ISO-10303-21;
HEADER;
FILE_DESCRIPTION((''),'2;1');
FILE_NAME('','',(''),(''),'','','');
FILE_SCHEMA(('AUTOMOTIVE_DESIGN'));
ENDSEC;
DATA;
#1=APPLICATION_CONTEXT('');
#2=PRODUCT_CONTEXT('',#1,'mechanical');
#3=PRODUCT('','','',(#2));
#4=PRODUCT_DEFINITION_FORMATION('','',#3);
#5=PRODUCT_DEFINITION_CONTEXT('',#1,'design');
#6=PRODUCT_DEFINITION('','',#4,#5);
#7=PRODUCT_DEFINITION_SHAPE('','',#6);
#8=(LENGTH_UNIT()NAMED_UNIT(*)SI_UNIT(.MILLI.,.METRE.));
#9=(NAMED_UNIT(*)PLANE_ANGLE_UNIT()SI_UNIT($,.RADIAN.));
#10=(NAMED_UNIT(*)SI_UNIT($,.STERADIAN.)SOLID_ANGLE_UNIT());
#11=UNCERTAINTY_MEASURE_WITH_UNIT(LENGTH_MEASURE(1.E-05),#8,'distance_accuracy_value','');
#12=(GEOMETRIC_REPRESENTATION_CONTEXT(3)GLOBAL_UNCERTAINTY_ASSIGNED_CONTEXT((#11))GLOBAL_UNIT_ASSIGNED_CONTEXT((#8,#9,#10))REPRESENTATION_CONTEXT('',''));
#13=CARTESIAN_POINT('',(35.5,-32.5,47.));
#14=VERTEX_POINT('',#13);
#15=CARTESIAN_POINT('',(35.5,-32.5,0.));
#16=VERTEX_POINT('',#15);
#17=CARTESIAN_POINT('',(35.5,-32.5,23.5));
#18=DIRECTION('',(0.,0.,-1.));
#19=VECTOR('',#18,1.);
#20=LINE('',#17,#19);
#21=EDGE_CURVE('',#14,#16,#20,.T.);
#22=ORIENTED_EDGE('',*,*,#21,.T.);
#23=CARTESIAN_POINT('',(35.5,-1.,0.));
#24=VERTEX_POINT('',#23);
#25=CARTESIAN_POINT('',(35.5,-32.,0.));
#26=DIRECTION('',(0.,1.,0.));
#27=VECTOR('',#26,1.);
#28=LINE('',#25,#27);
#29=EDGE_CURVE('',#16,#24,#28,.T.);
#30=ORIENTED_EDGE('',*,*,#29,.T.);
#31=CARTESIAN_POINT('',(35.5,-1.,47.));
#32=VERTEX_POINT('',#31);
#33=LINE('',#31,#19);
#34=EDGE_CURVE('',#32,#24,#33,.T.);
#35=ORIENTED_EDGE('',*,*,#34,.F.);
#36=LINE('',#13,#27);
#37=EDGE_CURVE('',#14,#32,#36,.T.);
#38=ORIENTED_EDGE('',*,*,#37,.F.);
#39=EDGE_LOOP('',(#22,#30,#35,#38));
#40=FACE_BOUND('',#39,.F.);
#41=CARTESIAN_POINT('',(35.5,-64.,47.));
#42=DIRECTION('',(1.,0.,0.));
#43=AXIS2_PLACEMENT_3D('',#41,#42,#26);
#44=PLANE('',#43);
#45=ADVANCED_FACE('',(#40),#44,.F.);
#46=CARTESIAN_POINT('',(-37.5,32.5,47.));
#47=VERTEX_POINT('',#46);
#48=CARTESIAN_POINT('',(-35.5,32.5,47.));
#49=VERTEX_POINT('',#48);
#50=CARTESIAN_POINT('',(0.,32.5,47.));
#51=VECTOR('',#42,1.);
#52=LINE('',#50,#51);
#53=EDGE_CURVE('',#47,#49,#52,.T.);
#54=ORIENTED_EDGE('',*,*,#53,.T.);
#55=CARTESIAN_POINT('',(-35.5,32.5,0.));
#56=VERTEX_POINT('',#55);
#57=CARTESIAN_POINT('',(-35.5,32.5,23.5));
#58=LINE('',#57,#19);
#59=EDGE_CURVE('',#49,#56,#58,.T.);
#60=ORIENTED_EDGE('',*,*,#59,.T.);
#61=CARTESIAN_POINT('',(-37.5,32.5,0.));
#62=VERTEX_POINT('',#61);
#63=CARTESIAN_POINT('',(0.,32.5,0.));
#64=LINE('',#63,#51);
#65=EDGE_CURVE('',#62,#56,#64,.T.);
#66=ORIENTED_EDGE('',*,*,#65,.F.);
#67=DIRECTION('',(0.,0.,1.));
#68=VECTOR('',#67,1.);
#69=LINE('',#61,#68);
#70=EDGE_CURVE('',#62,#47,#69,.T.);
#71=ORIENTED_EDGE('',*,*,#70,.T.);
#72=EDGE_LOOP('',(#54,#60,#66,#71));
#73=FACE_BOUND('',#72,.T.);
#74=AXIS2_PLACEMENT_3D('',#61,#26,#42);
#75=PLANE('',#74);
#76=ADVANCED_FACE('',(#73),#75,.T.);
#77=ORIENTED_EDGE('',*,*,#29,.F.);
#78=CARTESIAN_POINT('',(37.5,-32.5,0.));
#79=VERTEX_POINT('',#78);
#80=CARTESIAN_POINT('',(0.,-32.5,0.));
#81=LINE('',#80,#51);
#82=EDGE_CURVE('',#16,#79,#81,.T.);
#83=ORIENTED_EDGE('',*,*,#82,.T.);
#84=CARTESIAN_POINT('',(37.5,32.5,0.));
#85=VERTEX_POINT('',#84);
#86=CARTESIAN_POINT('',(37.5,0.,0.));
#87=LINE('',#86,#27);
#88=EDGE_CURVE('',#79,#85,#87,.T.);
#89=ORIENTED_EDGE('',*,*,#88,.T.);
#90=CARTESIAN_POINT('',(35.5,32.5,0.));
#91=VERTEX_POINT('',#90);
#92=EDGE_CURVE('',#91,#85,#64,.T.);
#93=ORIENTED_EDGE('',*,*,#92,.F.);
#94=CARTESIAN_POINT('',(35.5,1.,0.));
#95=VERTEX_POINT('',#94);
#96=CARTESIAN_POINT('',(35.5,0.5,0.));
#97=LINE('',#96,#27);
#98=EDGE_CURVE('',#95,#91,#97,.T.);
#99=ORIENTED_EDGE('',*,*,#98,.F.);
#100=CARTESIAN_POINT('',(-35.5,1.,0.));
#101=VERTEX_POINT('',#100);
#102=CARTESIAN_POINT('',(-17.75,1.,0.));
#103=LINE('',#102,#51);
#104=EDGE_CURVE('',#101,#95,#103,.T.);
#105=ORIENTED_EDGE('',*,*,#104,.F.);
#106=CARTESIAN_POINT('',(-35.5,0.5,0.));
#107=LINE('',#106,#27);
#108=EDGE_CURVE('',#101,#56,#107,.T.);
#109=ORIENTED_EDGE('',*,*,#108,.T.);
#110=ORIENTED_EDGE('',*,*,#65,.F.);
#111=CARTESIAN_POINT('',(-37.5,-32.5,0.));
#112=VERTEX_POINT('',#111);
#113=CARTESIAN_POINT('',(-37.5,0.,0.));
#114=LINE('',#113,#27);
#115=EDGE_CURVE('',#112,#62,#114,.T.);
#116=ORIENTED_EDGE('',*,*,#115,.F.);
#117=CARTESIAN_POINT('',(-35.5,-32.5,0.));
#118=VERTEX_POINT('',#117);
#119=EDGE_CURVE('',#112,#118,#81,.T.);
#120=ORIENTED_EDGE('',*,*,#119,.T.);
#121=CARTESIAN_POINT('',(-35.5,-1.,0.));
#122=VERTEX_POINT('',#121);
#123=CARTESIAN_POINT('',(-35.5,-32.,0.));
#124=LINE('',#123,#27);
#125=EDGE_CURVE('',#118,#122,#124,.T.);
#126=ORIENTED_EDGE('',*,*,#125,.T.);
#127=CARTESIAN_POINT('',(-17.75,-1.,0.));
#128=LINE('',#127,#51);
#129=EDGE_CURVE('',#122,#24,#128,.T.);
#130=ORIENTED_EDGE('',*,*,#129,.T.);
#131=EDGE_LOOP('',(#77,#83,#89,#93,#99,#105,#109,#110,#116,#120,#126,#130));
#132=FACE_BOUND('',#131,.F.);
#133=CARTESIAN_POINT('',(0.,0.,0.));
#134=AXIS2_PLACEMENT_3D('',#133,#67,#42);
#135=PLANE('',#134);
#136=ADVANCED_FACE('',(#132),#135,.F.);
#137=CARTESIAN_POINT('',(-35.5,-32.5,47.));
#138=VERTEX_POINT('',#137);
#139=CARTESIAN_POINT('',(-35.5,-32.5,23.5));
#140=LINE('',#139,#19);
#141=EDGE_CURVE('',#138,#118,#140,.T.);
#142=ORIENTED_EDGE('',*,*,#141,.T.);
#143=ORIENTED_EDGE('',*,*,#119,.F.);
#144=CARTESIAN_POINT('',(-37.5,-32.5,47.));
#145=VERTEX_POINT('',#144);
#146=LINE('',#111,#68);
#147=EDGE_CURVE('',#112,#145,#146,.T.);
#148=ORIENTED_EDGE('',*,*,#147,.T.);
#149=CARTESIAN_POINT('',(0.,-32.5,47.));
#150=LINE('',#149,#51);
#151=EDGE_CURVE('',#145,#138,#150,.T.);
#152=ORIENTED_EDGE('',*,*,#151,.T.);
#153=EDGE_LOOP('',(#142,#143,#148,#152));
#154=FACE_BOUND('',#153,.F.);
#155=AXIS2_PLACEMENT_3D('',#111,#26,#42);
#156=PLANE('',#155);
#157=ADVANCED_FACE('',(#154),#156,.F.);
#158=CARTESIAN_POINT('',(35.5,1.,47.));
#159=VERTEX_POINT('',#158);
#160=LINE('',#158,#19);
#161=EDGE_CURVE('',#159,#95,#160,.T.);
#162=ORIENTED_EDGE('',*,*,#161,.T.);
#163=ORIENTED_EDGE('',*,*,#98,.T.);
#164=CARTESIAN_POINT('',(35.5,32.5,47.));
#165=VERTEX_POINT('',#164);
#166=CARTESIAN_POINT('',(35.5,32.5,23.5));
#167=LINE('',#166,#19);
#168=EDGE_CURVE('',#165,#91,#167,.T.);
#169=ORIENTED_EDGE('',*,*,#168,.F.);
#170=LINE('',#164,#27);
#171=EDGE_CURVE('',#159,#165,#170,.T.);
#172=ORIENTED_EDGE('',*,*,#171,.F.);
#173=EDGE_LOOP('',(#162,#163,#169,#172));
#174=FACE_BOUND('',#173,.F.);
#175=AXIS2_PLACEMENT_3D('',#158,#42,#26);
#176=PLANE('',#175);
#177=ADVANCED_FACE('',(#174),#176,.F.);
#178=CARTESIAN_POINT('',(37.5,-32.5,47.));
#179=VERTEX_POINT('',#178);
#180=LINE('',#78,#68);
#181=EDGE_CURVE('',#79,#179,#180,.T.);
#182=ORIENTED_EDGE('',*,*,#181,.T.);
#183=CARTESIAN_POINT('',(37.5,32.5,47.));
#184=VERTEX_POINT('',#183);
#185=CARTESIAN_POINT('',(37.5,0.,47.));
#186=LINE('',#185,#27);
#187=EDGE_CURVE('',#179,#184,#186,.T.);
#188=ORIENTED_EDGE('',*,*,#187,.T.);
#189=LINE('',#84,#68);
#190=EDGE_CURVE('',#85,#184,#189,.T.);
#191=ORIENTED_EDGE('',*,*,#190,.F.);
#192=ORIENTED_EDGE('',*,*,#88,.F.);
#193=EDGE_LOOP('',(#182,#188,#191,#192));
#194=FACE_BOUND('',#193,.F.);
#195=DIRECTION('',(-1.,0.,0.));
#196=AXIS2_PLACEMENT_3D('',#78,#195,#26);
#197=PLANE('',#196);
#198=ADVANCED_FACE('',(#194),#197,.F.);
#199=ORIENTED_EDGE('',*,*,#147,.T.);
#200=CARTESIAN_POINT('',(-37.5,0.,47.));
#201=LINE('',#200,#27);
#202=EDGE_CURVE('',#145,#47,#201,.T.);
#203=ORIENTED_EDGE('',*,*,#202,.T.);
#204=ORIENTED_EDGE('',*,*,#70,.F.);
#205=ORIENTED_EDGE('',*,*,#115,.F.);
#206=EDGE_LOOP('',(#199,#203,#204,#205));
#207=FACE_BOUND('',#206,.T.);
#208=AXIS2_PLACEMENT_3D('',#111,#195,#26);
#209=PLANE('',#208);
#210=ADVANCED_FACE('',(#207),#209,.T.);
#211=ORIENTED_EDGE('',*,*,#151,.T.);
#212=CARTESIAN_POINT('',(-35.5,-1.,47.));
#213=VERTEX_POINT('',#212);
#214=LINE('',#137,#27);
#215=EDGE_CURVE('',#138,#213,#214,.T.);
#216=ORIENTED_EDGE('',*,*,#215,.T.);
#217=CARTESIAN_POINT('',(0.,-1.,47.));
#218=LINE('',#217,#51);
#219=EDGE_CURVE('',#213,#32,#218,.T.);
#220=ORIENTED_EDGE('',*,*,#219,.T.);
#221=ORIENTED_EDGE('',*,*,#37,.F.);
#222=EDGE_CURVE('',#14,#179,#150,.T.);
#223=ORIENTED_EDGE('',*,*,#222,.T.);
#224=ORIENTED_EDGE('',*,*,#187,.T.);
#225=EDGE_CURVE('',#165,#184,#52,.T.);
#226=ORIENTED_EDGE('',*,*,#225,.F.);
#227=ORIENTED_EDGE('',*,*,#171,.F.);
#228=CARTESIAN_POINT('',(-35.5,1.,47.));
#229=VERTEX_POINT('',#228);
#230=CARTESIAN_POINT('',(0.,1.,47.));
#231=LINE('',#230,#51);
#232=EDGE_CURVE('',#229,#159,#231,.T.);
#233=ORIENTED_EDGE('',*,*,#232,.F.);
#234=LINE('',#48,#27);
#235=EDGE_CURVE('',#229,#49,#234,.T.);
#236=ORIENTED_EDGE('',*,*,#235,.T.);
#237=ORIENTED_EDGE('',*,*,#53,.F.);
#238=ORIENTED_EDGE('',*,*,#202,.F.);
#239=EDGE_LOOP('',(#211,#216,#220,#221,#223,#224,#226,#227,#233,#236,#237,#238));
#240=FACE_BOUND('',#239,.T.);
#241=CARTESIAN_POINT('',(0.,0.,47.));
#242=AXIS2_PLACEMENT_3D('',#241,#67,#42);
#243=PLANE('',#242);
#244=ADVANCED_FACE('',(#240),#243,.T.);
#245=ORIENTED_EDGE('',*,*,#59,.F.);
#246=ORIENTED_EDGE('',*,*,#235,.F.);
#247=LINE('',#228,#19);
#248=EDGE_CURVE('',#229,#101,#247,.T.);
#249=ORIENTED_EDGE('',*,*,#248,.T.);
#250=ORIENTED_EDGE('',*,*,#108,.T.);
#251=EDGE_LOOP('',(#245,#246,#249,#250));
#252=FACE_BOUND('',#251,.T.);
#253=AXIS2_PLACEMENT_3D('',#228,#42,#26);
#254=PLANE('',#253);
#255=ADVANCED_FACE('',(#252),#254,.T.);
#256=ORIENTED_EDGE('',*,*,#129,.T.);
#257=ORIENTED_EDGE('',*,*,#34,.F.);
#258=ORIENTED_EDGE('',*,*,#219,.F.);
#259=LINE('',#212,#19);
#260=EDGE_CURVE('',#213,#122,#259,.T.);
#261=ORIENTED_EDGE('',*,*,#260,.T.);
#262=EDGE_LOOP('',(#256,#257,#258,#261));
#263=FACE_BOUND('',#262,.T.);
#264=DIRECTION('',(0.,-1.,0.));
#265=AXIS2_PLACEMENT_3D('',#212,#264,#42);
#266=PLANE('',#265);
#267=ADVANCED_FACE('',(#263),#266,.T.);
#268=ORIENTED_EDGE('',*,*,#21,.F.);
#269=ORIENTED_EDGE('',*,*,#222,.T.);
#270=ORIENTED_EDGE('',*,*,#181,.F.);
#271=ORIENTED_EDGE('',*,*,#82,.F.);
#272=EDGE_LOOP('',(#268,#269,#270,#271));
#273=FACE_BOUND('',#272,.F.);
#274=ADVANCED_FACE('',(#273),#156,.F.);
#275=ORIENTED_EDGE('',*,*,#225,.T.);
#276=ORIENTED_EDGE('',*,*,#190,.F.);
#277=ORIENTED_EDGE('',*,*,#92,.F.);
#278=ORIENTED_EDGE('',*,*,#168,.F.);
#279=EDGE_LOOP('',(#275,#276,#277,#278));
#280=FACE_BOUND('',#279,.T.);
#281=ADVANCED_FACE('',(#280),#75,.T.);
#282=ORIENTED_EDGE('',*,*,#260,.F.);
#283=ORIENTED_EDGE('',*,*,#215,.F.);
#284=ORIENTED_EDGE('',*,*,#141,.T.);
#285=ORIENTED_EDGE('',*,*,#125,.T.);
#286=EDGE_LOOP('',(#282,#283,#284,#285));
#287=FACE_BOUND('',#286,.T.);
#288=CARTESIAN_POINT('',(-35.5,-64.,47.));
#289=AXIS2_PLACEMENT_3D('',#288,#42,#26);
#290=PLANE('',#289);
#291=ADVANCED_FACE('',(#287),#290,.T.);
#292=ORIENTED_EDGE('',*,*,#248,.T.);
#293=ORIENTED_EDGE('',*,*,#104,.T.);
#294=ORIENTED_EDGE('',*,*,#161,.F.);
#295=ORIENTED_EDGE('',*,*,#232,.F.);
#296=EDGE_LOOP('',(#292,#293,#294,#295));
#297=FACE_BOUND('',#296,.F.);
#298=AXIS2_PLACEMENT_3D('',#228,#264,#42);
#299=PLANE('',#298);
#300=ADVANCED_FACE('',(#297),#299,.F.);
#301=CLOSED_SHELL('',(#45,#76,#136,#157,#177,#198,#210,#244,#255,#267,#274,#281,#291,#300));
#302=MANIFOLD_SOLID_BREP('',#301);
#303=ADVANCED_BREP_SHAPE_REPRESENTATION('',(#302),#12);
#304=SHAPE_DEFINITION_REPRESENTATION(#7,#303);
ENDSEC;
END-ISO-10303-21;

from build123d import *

# Parameters (mm, degrees)
F0_W     = 75
F0_H     = 65
F1_DEPTH = 47
F2_W     = 71
F2_H     = 63
F3_DEPTH = 66.71901


with BuildPart() as f1:
    # F0 (on Top) → F1 (new body)
    with BuildSketch(Plane.XY):
        Rectangle(F0_W, F0_H)
    extrude(amount=F1_DEPTH)

    # F2 (on face) → F3 (cut)
    with BuildSketch(Plane.XY.offset(47)):
        with Locations((0, 32.5)):
            Rectangle(F2_W, F2_H)
        with Locations((0, -32.5)):
            Rectangle(F2_W, F2_H)
    extrude(amount=-F3_DEPTH, mode=Mode.SUBTRACT)


solid = f1.part
